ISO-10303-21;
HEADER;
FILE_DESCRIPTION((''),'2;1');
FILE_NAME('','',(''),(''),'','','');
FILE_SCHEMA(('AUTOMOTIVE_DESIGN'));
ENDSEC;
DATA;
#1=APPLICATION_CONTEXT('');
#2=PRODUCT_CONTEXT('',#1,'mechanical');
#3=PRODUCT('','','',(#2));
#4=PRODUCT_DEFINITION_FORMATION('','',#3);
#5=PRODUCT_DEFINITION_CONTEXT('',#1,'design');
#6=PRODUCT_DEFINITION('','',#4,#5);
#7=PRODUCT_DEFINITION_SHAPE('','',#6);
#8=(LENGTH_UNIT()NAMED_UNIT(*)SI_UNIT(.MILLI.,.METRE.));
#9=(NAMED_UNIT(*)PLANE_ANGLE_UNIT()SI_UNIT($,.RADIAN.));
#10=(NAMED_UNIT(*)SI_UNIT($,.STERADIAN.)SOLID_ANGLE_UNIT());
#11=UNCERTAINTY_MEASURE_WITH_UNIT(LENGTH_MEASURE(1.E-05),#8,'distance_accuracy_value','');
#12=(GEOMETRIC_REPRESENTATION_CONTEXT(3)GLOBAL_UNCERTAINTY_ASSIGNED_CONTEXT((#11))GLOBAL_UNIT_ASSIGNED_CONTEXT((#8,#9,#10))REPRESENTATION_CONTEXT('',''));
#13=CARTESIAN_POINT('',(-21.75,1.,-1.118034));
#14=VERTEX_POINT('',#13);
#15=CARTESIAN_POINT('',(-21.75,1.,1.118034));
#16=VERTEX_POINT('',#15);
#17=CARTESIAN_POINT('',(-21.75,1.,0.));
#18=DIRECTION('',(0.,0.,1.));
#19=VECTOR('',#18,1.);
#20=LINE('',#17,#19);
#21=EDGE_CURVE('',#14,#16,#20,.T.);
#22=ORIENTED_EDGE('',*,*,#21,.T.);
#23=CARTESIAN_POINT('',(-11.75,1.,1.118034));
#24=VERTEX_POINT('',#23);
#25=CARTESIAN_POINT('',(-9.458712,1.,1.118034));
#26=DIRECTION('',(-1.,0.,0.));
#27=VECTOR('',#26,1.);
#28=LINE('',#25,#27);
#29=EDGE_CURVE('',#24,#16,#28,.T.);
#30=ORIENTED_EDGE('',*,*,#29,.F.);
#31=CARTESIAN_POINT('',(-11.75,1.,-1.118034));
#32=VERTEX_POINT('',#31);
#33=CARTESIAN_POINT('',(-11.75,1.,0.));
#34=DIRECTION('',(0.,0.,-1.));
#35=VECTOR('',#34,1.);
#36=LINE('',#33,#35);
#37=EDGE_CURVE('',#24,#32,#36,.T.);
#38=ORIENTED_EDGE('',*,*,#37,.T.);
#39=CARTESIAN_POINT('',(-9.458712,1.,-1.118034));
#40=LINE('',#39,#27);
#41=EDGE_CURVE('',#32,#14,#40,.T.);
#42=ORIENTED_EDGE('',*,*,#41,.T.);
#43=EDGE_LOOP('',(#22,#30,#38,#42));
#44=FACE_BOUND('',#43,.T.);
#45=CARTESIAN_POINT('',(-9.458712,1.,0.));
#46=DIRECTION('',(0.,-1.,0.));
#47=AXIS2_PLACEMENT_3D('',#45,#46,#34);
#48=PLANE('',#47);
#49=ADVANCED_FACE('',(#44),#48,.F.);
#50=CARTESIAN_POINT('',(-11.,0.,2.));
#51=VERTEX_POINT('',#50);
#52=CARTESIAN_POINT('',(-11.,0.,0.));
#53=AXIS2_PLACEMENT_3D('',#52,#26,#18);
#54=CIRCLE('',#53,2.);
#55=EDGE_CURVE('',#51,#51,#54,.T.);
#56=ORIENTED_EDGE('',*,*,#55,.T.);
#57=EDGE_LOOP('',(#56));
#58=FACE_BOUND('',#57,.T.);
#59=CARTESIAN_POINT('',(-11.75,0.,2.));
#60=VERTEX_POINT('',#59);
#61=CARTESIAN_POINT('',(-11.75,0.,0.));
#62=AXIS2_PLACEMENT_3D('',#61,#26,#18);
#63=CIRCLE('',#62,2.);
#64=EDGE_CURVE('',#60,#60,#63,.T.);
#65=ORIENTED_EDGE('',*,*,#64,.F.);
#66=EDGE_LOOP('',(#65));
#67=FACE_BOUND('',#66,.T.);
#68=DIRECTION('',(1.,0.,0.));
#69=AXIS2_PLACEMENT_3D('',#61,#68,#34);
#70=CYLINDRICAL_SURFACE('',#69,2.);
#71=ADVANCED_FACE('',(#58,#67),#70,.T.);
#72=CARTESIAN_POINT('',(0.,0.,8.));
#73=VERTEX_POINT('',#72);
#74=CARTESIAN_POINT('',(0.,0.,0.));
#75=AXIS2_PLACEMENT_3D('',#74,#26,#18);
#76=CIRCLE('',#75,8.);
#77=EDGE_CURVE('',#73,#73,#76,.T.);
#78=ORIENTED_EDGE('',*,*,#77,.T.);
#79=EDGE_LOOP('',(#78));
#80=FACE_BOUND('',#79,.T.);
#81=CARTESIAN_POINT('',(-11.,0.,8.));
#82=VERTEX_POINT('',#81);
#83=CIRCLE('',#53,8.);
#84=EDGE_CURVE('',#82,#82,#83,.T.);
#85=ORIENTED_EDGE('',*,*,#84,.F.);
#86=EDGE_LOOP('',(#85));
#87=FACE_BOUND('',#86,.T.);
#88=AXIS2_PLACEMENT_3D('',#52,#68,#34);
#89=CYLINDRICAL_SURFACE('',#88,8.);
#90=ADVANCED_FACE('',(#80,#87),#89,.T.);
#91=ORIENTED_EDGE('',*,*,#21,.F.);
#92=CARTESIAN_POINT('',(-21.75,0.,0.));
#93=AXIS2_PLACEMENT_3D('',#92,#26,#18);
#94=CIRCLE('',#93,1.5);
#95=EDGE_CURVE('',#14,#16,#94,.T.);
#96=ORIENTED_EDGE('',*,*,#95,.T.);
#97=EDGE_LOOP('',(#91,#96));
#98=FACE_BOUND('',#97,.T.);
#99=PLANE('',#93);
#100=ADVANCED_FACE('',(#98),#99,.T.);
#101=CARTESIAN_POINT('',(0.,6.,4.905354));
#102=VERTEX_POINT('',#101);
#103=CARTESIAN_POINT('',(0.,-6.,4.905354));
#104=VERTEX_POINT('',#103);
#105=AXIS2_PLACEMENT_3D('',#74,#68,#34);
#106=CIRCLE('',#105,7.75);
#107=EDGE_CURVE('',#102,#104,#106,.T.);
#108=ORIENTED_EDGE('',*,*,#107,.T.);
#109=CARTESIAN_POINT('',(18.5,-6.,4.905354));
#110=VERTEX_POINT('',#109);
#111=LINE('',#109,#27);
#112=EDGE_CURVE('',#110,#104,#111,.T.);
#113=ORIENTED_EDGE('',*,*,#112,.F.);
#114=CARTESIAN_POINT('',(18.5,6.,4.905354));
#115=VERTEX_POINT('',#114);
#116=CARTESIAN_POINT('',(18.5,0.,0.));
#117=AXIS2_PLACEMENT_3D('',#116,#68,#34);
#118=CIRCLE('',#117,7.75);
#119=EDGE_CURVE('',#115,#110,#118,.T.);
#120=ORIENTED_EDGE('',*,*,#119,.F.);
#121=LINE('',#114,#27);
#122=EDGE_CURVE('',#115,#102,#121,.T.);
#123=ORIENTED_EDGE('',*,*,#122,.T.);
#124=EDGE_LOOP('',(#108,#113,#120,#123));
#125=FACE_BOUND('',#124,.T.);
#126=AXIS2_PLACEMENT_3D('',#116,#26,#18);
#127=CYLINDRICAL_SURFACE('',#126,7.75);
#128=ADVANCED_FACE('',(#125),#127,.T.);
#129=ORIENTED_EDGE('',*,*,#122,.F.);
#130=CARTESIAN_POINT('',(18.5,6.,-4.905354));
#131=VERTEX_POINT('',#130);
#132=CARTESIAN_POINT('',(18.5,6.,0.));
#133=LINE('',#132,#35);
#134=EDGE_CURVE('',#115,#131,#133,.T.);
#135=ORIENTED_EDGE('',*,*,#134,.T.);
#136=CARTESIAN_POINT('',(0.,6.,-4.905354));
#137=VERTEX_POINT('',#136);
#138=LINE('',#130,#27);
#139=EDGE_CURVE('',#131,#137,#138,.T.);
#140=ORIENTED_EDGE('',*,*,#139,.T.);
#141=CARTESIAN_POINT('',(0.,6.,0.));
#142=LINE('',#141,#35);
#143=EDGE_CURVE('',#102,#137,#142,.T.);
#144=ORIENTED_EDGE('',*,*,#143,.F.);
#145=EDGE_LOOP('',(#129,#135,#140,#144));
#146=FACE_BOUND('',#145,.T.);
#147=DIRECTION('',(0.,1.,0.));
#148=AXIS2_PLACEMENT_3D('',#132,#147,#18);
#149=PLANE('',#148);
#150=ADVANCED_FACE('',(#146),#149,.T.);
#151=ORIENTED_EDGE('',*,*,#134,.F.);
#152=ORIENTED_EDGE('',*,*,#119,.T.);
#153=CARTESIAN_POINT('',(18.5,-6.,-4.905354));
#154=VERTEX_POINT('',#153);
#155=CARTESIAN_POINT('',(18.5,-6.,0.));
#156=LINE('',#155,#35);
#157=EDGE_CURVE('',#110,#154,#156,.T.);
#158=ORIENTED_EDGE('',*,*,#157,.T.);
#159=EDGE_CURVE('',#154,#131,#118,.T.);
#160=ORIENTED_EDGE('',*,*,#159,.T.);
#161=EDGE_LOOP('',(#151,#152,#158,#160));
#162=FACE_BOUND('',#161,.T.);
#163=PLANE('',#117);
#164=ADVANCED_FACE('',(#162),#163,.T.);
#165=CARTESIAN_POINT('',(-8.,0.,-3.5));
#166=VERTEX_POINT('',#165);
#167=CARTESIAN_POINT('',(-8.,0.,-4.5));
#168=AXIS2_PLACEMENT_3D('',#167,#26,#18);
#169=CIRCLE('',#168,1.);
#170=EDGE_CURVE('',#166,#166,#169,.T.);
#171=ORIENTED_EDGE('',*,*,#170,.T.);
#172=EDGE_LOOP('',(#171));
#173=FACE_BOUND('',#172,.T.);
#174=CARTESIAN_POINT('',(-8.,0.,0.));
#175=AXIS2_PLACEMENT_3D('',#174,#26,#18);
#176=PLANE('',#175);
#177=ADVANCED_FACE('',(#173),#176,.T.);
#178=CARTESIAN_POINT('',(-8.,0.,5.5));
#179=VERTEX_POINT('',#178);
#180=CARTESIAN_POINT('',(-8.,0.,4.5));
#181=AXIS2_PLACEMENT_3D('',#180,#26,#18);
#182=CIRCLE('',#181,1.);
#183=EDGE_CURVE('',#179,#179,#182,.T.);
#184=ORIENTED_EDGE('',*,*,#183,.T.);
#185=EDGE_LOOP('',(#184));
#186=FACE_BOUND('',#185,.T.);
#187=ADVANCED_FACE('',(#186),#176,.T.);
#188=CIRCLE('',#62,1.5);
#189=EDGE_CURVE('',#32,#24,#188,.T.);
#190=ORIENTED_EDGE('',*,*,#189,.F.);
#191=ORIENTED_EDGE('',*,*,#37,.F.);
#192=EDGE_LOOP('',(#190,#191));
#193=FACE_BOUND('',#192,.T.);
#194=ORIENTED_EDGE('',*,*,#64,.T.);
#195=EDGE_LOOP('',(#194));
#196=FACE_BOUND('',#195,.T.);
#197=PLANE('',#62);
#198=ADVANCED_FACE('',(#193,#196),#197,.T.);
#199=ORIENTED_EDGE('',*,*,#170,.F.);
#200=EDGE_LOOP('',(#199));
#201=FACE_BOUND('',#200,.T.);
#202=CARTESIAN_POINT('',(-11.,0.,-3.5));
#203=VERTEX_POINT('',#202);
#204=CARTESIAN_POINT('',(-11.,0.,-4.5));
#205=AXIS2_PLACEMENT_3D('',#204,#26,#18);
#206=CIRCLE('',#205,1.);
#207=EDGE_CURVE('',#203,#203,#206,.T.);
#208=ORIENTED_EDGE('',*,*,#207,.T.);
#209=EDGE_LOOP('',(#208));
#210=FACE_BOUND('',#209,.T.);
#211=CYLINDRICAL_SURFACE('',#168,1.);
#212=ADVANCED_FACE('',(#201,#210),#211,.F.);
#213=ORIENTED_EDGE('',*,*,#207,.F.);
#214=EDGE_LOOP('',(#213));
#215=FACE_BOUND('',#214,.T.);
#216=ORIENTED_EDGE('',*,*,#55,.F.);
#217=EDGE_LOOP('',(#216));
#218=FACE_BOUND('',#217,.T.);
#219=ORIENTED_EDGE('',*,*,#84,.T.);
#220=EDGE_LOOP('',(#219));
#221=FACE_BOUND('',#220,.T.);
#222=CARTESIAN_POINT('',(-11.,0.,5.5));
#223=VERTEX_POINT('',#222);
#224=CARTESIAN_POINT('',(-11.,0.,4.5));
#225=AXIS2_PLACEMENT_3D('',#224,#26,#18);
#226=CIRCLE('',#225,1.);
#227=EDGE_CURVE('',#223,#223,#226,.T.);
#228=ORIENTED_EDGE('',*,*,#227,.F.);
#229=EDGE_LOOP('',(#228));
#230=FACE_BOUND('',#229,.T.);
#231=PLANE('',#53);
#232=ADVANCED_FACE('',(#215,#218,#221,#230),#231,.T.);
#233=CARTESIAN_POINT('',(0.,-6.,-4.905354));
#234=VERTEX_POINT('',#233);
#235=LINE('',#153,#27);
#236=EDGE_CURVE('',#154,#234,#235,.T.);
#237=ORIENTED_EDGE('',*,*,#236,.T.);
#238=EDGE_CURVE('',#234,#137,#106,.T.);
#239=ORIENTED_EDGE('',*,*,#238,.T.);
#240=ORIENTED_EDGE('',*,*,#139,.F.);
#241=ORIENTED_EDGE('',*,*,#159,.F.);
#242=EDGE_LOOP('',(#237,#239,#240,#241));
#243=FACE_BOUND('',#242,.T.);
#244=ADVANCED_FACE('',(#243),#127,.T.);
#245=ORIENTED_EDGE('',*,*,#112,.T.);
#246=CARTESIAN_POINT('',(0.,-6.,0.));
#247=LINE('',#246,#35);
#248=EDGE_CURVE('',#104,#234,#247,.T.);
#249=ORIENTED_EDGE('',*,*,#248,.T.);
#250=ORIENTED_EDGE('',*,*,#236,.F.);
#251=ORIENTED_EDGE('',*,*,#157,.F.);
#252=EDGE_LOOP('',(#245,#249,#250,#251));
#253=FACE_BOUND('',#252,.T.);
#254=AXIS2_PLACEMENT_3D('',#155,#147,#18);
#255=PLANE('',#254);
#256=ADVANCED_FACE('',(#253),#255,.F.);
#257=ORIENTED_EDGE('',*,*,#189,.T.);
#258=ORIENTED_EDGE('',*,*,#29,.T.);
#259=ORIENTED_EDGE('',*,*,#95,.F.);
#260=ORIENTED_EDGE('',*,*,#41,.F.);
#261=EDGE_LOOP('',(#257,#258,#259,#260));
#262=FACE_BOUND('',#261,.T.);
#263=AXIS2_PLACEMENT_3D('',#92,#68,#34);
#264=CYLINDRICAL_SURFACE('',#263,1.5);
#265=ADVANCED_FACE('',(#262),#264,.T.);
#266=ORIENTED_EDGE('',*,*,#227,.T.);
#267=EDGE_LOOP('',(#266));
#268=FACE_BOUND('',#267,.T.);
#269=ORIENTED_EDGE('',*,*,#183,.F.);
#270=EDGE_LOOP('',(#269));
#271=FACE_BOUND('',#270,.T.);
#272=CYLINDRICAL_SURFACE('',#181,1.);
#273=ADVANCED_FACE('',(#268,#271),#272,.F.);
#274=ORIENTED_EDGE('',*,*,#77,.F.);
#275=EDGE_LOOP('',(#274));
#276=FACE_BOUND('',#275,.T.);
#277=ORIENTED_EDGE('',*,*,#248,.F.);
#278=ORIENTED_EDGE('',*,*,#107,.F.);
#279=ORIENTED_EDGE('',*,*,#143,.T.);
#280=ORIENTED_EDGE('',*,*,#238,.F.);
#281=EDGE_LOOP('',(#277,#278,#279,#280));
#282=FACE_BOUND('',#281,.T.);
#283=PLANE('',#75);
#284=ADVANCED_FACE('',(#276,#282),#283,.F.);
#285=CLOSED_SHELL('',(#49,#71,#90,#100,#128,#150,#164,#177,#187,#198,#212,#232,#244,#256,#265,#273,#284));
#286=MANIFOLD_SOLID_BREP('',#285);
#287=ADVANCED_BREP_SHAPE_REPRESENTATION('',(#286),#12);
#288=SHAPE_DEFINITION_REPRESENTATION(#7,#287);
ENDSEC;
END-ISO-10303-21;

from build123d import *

# Parameters (mm, degrees)
BOSS_EXTRUDE1_DEPTH = 18.5
SKETCH3_R           = 8
BOSS_EXTRUDE2_DEPTH = 11
SKETCH4_R           = 2
BOSS_EXTRUDE3_DEPTH = 0.75
SKETCH6_R           = 1.5
BOSS_EXTRUDE4_DEPTH = 10
CUT_EXTRUDE1_DEPTH  = 10
CUT_EXTRUDE2_DEPTH  = 3


with BuildPart() as part:
    # Sketch2 → Boss-Extrude1 (new body)
    with BuildSketch(Plane(origin=(0, 0, 0), x_dir=(0, 0, -1), z_dir=(1, 0, 0))):
        with BuildLine():
            Line((0, 6), (-4.905354218, 6))
            ThreePointArc((-4.905354218, 6), (-7.75, 0), (-4.905354218, -6))
            Line((-4.905354218, -6), (0, -6))
            Line((0, -6), (0, 6))
        make_face()
        with BuildLine():
            Line((4.905354218, 6), (0, 6))
            Line((0, 6), (0, -6))
            Line((0, -6), (4.905354218, -6))
            ThreePointArc((4.905354218, -6), (7.002820688, -3.320090723), (7.75, 0))
            ThreePointArc((7.75, 0), (7.002820688, 3.320090723), (4.905354218, 6))
        make_face()
    extrude(amount=BOSS_EXTRUDE1_DEPTH)

    # Sketch3 → Boss-Extrude2 (add)
    with BuildSketch(Plane.ZY):
        Circle(SKETCH3_R)
    extrude(amount=BOSS_EXTRUDE2_DEPTH)

    # Sketch4 → Boss-Extrude3 (add)
    with BuildSketch(Plane.ZY.offset(11)):
        Circle(SKETCH4_R)
    extrude(amount=BOSS_EXTRUDE3_DEPTH)

    # Sketch6 → Boss-Extrude4 (add)
    with BuildSketch(Plane.ZY.offset(11.75)):
        Circle(SKETCH6_R)
    extrude(amount=BOSS_EXTRUDE4_DEPTH)

    # Sketch7 → Cut-Extrude1 (cut)
    with BuildSketch(Plane.ZY.offset(21.75)):
        Polygon((-36.741347109, 1), (-1.118033989, 1), (1.118033989, 1), (36.741347109, 1), (36.741347109, 72.246626241), (-36.741347109, 72.246626241), align=None)
    extrude(amount=-CUT_EXTRUDE1_DEPTH, mode=Mode.SUBTRACT)

    # Sketch8 → Cut-Extrude2 (cut)
    with BuildSketch(Plane.ZY.offset(11)):
        with BuildLine():
            ThreePointArc((-4.388888889, -0.99380799), (-3.754644008, -0.666666667), (-3.5, 0))
            Line((-3.5, 0), (-4.5, 0))
            ThreePointArc((-4.5, 0), (-4.472135955, -0.5), (-4.388888889, -0.99380799))
        make_face()
        with BuildLine():
            Line((-4.5, 0), (-3.5, 0))
            ThreePointArc((-3.5, 0), (-3.754644008, 0.666666667), (-4.388888889, 0.99380799))
            ThreePointArc((-4.388888889, 0.99380799), (-4.472135955, 0.5), (-4.5, 0))
        make_face()
        with BuildLine():
            ThreePointArc((-4.5, 0), (-4.472135955, 0.5), (-4.388888889, 0.99380799))
            ThreePointArc((-4.388888889, 0.99380799), (-5.166666667, 0.745355992), (-5.5, 0))
            Line((-5.5, 0), (-4.5, 0))
        make_face()
        with BuildLine():
            ThreePointArc((-5.5, 0), (-5.166666667, -0.745355992), (-4.388888889, -0.99380799))
            ThreePointArc((-4.388888889, -0.99380799), (-4.472135955, -0.5), (-4.5, 0))
            Line((-4.5, 0), (-5.5, 0))
        make_face()
        with BuildLine():
            ThreePointArc((4.388888889, 0.99380799), (4.472135955, 0.5), (4.5, 0))
            Line((4.5, 0), (5.5, 0))
            ThreePointArc((5.5, 0), (5.166666667, 0.745355992), (4.388888889, 0.99380799))
        make_face()
        with BuildLine():
            ThreePointArc((4.388888889, -0.99380799), (4.472135955, -0.5), (4.5, 0))
            Line((4.5, 0), (3.5, 0))
            ThreePointArc((3.5, 0), (3.754644008, -0.666666667), (4.388888889, -0.99380799))
        make_face()
        with BuildLine():
            Line((3.5, 0), (4.5, 0))
            ThreePointArc((4.5, 0), (4.472135955, 0.5), (4.388888889, 0.99380799))
            ThreePointArc((4.388888889, 0.99380799), (3.754644008, 0.666666667), (3.5, 0))
        make_face()
        with BuildLine():
            Line((5.5, 0), (4.5, 0))
            ThreePointArc((4.5, 0), (4.472135955, -0.5), (4.388888889, -0.99380799))
            ThreePointArc((4.388888889, -0.99380799), (5.166666667, -0.745355992), (5.5, 0))
        make_face()
    extrude(amount=-CUT_EXTRUDE2_DEPTH, mode=Mode.SUBTRACT)


solid = part.part
